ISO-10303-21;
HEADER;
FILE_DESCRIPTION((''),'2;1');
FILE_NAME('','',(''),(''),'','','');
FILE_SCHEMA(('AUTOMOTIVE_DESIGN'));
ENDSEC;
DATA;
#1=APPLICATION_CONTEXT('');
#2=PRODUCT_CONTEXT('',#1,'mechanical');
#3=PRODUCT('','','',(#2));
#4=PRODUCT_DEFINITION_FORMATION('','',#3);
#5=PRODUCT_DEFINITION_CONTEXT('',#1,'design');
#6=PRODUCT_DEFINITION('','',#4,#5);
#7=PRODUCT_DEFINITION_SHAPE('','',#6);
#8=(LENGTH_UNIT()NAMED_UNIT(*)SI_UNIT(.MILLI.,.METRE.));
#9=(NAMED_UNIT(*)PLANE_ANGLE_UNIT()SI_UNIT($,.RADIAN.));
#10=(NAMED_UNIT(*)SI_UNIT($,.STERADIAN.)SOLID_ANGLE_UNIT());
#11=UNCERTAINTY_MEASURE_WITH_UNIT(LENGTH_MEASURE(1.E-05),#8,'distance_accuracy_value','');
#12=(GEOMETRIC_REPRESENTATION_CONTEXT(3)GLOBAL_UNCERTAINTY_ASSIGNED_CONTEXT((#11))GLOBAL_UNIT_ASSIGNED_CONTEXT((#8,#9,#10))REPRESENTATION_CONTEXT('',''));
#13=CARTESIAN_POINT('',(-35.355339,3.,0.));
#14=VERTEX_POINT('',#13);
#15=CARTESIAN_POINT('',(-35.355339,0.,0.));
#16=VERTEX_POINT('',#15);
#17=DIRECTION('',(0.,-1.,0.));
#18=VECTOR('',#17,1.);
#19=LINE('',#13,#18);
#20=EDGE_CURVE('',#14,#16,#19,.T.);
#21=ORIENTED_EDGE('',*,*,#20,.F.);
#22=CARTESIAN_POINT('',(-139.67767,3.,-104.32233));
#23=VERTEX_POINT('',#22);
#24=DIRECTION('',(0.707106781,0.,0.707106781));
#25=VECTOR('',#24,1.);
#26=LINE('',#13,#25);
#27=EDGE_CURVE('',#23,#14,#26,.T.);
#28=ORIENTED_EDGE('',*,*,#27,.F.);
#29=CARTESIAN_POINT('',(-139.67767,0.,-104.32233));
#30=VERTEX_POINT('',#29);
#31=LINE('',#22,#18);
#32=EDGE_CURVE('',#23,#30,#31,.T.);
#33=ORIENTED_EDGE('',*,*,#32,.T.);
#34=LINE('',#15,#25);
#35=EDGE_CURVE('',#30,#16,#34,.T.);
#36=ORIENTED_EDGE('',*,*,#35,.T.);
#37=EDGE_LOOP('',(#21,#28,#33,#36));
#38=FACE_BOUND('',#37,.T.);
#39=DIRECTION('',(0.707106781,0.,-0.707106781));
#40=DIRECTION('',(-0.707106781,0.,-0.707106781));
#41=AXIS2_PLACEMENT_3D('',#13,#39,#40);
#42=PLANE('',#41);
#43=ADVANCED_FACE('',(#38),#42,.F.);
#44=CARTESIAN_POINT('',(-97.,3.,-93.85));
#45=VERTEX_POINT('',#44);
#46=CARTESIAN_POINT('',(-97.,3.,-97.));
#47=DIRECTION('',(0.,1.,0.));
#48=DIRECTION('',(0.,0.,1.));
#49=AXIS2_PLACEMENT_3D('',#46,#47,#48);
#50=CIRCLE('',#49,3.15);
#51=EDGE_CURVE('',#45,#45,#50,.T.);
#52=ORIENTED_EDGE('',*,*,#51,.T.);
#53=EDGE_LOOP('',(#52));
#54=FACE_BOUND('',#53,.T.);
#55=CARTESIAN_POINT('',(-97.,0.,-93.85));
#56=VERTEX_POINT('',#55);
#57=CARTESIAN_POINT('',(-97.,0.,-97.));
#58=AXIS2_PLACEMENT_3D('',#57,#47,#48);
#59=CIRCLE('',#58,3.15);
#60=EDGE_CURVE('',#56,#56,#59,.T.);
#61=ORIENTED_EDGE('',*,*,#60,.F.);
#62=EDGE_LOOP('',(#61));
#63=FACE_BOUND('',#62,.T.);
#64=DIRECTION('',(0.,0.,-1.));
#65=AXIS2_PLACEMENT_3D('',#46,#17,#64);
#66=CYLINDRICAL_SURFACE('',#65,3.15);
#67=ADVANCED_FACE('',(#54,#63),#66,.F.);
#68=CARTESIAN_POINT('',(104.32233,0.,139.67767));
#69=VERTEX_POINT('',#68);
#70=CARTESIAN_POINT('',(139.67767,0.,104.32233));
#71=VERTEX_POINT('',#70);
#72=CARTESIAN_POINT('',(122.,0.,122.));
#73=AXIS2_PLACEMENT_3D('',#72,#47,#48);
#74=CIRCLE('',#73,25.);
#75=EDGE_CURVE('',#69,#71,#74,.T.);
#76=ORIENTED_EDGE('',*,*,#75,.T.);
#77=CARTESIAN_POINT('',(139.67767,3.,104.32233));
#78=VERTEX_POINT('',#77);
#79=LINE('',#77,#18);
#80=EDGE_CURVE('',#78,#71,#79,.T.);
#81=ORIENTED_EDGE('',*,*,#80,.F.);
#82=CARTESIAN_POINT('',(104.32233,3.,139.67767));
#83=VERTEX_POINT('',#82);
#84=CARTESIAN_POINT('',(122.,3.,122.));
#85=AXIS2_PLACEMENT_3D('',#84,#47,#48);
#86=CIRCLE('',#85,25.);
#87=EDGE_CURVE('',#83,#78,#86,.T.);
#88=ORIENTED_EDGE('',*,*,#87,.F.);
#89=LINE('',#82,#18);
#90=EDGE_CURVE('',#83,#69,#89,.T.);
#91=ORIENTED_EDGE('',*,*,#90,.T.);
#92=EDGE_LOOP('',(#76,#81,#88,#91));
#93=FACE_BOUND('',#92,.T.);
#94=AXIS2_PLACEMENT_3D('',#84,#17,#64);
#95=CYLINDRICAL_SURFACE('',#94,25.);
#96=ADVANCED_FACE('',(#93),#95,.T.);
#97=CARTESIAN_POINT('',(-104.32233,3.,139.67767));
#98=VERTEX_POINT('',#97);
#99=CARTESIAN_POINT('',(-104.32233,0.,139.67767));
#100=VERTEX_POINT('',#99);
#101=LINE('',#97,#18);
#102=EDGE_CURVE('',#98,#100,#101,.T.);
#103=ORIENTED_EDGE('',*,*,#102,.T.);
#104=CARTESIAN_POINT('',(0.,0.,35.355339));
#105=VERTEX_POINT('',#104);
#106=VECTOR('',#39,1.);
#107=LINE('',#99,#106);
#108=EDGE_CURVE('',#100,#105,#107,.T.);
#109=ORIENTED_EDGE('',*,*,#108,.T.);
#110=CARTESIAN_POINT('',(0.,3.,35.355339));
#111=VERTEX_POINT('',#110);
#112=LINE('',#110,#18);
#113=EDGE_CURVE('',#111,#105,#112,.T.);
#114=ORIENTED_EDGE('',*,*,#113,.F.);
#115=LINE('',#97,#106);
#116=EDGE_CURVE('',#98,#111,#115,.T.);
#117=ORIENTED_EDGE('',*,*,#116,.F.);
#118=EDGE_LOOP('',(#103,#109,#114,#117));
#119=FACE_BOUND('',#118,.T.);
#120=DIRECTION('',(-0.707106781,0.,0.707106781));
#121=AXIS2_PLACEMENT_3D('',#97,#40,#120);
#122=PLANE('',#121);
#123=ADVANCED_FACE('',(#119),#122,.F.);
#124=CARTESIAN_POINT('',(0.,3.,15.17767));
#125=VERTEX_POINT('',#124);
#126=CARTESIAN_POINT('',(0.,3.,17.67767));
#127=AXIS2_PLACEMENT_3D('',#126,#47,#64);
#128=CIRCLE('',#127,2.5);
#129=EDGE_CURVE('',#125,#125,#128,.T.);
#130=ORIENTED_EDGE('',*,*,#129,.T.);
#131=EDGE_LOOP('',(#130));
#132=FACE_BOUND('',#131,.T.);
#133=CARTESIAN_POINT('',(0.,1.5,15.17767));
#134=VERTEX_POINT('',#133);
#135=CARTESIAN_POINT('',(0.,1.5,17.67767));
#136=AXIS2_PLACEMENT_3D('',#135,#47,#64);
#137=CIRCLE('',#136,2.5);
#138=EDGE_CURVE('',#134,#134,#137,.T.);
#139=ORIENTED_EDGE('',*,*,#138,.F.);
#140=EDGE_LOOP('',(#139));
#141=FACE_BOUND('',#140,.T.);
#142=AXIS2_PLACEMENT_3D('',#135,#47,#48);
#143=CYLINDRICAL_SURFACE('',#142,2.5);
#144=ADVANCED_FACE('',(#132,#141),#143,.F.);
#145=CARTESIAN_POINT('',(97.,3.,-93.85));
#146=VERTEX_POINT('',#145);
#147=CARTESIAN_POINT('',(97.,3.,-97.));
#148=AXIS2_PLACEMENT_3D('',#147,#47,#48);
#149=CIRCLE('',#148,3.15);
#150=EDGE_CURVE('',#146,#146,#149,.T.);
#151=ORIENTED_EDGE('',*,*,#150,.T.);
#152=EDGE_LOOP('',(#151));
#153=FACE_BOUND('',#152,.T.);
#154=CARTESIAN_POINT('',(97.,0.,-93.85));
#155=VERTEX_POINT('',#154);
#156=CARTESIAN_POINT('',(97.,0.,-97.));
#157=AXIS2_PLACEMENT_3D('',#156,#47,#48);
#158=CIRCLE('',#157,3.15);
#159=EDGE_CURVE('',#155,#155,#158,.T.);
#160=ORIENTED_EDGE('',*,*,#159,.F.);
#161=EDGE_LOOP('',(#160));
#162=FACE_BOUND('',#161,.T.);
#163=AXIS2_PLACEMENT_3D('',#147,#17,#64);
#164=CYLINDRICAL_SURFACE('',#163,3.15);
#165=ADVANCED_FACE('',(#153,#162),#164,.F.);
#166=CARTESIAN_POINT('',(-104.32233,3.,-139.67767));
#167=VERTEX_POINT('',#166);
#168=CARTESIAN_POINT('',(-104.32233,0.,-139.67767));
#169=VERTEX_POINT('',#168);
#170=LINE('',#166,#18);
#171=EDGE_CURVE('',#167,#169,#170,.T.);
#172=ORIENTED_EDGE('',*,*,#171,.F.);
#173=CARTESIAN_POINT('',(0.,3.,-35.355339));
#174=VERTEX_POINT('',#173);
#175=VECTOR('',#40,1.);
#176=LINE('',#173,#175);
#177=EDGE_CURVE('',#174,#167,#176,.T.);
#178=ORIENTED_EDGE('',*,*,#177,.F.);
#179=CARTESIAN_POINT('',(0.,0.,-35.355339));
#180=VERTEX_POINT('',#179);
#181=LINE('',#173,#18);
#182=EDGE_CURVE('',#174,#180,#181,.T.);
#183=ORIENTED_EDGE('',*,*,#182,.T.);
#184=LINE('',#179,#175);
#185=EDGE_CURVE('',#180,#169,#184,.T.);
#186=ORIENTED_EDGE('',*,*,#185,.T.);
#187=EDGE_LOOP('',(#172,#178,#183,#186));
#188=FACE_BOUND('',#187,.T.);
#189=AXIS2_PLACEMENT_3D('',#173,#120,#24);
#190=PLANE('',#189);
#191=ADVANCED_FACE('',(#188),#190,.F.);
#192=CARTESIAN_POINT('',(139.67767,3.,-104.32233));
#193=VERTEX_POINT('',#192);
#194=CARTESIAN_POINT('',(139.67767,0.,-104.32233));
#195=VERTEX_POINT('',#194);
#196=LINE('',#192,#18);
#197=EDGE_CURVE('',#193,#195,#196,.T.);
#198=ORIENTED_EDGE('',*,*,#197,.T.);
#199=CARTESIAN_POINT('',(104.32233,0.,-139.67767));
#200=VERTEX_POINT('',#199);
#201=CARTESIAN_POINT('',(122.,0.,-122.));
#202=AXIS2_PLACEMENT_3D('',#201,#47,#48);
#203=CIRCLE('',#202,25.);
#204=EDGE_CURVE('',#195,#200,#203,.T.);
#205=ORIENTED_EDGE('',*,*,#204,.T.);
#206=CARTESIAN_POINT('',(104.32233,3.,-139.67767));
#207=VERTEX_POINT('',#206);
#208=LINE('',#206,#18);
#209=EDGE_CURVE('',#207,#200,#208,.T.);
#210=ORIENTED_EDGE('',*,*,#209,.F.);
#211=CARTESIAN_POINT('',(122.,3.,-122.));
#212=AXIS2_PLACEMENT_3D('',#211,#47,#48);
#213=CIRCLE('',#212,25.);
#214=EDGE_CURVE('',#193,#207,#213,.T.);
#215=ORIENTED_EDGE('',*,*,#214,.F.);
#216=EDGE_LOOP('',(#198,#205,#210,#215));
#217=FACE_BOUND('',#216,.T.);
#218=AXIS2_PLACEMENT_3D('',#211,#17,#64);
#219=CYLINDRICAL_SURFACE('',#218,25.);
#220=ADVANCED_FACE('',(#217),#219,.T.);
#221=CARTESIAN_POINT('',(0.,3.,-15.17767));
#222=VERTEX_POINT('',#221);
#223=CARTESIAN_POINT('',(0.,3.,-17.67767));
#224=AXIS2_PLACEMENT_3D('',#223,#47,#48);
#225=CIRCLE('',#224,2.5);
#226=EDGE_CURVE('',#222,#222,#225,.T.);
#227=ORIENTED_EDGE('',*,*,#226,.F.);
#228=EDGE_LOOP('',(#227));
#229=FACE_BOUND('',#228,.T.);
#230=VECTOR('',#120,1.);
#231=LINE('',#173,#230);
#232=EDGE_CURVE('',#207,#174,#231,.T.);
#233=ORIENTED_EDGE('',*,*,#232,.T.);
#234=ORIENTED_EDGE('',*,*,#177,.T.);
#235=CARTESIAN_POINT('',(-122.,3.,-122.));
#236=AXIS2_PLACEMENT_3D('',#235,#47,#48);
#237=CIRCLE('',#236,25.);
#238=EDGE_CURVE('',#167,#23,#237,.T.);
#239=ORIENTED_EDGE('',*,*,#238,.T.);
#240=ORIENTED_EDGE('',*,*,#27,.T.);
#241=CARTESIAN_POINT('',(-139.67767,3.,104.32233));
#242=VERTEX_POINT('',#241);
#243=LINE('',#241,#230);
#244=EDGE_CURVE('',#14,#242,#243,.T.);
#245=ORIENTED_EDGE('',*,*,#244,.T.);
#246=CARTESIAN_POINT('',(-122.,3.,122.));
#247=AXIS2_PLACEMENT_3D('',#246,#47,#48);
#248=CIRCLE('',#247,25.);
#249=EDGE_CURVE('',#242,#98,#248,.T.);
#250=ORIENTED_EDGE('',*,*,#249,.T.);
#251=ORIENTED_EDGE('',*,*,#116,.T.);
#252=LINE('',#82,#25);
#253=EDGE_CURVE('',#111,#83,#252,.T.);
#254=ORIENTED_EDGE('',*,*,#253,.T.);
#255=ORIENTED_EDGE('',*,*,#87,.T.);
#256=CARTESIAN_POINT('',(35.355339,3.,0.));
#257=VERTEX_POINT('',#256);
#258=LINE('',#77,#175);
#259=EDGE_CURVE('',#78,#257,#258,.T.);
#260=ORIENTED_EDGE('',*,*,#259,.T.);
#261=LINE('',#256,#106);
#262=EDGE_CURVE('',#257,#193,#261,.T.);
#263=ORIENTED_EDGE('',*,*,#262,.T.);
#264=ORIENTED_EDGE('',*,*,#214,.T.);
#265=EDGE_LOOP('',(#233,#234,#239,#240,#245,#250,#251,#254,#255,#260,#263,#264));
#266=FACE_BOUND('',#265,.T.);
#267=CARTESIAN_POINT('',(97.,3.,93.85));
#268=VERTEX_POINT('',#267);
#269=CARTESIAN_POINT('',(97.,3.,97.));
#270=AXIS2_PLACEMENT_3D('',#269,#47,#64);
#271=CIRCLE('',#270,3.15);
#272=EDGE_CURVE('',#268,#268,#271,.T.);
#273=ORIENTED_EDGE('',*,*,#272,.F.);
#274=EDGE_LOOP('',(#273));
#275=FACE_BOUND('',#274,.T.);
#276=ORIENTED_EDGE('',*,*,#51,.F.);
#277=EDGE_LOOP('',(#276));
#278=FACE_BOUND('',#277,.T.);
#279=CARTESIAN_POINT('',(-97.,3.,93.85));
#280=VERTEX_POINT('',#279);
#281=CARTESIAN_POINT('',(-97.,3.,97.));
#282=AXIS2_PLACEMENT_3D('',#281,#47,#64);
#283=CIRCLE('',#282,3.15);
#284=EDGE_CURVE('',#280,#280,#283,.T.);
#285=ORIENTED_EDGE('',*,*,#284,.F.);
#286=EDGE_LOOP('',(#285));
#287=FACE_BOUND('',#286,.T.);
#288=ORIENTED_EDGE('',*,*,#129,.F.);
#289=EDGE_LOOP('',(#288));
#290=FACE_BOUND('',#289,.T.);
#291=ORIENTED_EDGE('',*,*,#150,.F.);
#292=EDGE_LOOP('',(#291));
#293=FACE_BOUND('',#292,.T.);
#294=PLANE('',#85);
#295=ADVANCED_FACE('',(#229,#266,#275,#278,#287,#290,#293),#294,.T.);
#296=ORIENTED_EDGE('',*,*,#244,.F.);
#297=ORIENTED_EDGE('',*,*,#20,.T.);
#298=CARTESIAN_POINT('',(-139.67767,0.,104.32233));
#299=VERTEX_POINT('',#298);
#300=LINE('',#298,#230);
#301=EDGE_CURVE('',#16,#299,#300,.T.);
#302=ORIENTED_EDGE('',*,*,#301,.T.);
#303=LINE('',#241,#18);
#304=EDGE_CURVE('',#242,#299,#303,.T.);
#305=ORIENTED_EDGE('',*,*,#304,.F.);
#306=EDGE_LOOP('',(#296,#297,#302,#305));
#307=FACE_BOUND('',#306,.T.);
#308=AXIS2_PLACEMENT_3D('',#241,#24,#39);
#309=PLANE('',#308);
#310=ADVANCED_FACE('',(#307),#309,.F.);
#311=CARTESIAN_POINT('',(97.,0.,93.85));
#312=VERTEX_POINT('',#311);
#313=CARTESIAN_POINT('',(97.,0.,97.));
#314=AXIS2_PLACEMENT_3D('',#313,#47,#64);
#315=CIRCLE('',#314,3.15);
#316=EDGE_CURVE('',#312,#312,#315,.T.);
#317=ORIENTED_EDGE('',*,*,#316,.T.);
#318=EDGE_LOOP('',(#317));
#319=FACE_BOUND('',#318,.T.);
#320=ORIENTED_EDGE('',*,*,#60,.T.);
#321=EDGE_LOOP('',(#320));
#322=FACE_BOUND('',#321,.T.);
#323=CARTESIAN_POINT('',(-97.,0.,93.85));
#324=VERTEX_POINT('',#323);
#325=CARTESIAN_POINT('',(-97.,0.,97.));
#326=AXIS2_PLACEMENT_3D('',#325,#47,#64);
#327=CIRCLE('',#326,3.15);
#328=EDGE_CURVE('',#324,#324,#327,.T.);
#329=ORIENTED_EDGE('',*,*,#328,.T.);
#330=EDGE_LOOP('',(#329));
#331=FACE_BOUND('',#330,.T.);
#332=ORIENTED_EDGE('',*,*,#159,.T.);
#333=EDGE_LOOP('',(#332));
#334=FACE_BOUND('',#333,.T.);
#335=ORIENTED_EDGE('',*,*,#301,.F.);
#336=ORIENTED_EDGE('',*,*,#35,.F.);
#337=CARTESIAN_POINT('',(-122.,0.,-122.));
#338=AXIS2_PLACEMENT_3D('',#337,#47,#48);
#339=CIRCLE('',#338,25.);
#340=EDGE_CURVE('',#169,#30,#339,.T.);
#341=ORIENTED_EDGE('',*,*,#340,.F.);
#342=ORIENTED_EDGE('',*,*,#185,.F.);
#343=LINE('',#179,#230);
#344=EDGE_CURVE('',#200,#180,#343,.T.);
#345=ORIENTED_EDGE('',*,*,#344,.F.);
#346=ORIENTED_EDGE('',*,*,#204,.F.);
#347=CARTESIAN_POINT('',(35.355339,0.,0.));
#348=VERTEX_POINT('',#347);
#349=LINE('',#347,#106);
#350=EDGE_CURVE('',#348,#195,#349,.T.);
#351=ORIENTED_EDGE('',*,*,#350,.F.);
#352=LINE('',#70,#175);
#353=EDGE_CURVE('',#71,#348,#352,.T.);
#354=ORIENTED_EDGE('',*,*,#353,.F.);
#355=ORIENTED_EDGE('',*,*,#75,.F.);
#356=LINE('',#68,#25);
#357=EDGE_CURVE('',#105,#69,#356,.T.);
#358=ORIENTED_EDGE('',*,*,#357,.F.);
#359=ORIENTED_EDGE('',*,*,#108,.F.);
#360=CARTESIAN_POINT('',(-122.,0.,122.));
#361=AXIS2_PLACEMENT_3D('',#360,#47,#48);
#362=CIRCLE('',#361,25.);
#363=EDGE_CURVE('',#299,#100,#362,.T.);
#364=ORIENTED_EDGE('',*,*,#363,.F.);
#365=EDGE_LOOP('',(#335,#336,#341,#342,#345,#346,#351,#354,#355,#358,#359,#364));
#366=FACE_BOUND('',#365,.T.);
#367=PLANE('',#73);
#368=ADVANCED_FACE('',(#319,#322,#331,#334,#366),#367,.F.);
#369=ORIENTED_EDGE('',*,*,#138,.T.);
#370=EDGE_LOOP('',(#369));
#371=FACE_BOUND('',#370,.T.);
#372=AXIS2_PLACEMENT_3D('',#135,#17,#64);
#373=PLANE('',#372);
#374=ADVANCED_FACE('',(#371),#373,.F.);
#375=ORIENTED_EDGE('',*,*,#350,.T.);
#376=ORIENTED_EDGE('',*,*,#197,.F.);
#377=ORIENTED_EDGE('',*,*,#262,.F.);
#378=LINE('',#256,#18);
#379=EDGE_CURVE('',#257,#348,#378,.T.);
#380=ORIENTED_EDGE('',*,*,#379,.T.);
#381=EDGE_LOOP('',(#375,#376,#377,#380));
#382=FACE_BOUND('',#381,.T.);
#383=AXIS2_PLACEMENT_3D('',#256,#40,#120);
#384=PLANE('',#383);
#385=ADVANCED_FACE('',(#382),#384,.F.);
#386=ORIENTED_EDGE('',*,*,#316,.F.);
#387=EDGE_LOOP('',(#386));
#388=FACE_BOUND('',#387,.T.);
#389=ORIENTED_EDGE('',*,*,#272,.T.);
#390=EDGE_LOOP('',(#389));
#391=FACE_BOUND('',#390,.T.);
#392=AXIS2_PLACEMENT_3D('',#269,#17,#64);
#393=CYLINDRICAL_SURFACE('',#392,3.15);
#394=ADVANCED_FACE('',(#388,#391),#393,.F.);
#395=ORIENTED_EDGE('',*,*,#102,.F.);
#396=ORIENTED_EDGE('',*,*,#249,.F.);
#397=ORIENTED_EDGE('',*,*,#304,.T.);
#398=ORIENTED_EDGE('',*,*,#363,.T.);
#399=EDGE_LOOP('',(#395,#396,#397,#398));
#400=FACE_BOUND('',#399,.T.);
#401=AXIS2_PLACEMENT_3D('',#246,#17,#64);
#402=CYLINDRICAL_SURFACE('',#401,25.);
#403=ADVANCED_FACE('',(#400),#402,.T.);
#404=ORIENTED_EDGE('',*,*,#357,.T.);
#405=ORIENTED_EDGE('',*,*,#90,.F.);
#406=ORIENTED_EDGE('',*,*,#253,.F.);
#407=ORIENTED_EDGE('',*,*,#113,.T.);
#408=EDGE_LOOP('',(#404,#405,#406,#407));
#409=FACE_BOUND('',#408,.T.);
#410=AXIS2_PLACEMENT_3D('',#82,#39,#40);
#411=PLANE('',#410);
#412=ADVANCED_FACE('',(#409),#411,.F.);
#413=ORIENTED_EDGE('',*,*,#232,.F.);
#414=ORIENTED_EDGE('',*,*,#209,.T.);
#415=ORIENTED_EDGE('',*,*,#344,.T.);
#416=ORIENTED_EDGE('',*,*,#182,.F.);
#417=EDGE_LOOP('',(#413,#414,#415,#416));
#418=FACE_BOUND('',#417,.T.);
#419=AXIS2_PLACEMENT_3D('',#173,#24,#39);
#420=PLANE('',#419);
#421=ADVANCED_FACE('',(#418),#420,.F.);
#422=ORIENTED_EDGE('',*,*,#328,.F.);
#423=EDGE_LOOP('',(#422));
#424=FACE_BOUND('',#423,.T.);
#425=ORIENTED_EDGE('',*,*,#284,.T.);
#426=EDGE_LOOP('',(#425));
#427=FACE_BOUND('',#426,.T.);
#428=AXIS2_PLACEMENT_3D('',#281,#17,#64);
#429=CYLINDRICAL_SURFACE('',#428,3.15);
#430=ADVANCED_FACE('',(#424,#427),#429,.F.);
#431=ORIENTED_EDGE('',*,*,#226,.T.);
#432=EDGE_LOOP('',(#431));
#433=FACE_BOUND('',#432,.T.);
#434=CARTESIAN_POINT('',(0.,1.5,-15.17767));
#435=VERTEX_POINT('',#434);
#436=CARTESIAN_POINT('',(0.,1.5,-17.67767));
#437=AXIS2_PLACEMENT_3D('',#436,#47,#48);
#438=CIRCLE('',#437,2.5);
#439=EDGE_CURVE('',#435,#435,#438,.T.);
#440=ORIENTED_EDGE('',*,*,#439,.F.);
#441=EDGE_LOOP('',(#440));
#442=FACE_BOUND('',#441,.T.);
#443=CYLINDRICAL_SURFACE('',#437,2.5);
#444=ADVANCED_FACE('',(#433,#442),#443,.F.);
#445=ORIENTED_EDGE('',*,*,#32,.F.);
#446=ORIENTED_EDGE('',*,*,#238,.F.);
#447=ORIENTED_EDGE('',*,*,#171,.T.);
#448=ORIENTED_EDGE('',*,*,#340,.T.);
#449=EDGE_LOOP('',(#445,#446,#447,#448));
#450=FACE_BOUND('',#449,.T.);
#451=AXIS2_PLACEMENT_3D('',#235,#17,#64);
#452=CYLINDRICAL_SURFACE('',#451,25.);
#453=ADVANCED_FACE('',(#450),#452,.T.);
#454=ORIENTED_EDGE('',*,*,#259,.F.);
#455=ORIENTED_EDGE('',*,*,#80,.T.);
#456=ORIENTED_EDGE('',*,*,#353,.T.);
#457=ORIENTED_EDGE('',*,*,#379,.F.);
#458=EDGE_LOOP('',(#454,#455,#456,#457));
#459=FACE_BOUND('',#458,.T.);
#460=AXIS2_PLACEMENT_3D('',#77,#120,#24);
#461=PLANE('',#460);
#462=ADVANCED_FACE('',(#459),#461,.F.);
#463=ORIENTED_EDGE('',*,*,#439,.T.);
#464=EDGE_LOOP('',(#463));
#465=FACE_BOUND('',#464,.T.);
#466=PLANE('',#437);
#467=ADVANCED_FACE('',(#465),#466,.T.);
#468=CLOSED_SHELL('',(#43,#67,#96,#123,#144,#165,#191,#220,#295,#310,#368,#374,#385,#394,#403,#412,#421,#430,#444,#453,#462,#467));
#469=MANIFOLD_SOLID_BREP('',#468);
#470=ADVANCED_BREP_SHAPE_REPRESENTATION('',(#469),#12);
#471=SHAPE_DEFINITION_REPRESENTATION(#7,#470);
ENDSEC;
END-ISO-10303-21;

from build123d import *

# Parameters (mm, degrees)
SKETCH2_R           = 3.15
BOSS_EXTRUDE2_DEPTH = 3
SKETCH4_R           = 2.5
CUT_EXTRUDE1_DEPTH  = 1.5


with BuildPart() as part:
    # Sketch2 → Boss-Extrude2 (new body)
    with BuildSketch(Plane(origin=(0, 0, 0), x_dir=(1, 0, 0), z_dir=(0, 1, 0))):
        with BuildLine():
            Line((104.32233047, -139.67766953), (0, -35.355339059))
            Line((0, -35.355339059), (-104.32233047, -139.67766953))
            ThreePointArc((-104.32233047, -139.67766953), (-139.67766953, -139.67766953), (-139.67766953, -104.32233047))
            Line((-139.67766953, -104.32233047), (-35.355339059, 0))
            Line((-35.355339059, 0), (-139.67766953, 104.32233047))
            ThreePointArc((-139.67766953, 104.32233047), (-139.67766953, 139.67766953), (-104.32233047, 139.67766953))
            Line((-104.32233047, 139.67766953), (0, 35.355339059))
            Line((0, 35.355339059), (104.32233047, 139.67766953))
            ThreePointArc((104.32233047, 139.67766953), (139.67766953, 139.67766953), (139.67766953, 104.32233047))
            Line((139.67766953, 104.32233047), (35.355339059, 0))
            Line((35.355339059, 0), (139.67766953, -104.32233047))
            ThreePointArc((139.67766953, -104.32233047), (139.67766953, -139.67766953), (104.32233047, -139.67766953))
        make_face()
        with Locations((-97, 97)):
            Circle(SKETCH2_R, mode=Mode.SUBTRACT)
        with Locations((97, -97)):
            Circle(SKETCH2_R, mode=Mode.SUBTRACT)
        with Locations((97, 97)):
            Circle(SKETCH2_R, mode=Mode.SUBTRACT)
        with Locations((-97, -97)):
            Circle(SKETCH2_R, mode=Mode.SUBTRACT)
    extrude(amount=BOSS_EXTRUDE2_DEPTH)

    # Sketch4 → Cut-Extrude1 (cut)
    with BuildSketch(Plane(origin=(0, 3, 0), x_dir=(1, 0, 0), z_dir=(0, 1, 0))):
        with Locations((0, 17.67766953)):
            Circle(SKETCH4_R)
        with Locations((0, -17.67766953)):
            Circle(SKETCH4_R)
    extrude(amount=-CUT_EXTRUDE1_DEPTH, mode=Mode.SUBTRACT)


solid = part.part
